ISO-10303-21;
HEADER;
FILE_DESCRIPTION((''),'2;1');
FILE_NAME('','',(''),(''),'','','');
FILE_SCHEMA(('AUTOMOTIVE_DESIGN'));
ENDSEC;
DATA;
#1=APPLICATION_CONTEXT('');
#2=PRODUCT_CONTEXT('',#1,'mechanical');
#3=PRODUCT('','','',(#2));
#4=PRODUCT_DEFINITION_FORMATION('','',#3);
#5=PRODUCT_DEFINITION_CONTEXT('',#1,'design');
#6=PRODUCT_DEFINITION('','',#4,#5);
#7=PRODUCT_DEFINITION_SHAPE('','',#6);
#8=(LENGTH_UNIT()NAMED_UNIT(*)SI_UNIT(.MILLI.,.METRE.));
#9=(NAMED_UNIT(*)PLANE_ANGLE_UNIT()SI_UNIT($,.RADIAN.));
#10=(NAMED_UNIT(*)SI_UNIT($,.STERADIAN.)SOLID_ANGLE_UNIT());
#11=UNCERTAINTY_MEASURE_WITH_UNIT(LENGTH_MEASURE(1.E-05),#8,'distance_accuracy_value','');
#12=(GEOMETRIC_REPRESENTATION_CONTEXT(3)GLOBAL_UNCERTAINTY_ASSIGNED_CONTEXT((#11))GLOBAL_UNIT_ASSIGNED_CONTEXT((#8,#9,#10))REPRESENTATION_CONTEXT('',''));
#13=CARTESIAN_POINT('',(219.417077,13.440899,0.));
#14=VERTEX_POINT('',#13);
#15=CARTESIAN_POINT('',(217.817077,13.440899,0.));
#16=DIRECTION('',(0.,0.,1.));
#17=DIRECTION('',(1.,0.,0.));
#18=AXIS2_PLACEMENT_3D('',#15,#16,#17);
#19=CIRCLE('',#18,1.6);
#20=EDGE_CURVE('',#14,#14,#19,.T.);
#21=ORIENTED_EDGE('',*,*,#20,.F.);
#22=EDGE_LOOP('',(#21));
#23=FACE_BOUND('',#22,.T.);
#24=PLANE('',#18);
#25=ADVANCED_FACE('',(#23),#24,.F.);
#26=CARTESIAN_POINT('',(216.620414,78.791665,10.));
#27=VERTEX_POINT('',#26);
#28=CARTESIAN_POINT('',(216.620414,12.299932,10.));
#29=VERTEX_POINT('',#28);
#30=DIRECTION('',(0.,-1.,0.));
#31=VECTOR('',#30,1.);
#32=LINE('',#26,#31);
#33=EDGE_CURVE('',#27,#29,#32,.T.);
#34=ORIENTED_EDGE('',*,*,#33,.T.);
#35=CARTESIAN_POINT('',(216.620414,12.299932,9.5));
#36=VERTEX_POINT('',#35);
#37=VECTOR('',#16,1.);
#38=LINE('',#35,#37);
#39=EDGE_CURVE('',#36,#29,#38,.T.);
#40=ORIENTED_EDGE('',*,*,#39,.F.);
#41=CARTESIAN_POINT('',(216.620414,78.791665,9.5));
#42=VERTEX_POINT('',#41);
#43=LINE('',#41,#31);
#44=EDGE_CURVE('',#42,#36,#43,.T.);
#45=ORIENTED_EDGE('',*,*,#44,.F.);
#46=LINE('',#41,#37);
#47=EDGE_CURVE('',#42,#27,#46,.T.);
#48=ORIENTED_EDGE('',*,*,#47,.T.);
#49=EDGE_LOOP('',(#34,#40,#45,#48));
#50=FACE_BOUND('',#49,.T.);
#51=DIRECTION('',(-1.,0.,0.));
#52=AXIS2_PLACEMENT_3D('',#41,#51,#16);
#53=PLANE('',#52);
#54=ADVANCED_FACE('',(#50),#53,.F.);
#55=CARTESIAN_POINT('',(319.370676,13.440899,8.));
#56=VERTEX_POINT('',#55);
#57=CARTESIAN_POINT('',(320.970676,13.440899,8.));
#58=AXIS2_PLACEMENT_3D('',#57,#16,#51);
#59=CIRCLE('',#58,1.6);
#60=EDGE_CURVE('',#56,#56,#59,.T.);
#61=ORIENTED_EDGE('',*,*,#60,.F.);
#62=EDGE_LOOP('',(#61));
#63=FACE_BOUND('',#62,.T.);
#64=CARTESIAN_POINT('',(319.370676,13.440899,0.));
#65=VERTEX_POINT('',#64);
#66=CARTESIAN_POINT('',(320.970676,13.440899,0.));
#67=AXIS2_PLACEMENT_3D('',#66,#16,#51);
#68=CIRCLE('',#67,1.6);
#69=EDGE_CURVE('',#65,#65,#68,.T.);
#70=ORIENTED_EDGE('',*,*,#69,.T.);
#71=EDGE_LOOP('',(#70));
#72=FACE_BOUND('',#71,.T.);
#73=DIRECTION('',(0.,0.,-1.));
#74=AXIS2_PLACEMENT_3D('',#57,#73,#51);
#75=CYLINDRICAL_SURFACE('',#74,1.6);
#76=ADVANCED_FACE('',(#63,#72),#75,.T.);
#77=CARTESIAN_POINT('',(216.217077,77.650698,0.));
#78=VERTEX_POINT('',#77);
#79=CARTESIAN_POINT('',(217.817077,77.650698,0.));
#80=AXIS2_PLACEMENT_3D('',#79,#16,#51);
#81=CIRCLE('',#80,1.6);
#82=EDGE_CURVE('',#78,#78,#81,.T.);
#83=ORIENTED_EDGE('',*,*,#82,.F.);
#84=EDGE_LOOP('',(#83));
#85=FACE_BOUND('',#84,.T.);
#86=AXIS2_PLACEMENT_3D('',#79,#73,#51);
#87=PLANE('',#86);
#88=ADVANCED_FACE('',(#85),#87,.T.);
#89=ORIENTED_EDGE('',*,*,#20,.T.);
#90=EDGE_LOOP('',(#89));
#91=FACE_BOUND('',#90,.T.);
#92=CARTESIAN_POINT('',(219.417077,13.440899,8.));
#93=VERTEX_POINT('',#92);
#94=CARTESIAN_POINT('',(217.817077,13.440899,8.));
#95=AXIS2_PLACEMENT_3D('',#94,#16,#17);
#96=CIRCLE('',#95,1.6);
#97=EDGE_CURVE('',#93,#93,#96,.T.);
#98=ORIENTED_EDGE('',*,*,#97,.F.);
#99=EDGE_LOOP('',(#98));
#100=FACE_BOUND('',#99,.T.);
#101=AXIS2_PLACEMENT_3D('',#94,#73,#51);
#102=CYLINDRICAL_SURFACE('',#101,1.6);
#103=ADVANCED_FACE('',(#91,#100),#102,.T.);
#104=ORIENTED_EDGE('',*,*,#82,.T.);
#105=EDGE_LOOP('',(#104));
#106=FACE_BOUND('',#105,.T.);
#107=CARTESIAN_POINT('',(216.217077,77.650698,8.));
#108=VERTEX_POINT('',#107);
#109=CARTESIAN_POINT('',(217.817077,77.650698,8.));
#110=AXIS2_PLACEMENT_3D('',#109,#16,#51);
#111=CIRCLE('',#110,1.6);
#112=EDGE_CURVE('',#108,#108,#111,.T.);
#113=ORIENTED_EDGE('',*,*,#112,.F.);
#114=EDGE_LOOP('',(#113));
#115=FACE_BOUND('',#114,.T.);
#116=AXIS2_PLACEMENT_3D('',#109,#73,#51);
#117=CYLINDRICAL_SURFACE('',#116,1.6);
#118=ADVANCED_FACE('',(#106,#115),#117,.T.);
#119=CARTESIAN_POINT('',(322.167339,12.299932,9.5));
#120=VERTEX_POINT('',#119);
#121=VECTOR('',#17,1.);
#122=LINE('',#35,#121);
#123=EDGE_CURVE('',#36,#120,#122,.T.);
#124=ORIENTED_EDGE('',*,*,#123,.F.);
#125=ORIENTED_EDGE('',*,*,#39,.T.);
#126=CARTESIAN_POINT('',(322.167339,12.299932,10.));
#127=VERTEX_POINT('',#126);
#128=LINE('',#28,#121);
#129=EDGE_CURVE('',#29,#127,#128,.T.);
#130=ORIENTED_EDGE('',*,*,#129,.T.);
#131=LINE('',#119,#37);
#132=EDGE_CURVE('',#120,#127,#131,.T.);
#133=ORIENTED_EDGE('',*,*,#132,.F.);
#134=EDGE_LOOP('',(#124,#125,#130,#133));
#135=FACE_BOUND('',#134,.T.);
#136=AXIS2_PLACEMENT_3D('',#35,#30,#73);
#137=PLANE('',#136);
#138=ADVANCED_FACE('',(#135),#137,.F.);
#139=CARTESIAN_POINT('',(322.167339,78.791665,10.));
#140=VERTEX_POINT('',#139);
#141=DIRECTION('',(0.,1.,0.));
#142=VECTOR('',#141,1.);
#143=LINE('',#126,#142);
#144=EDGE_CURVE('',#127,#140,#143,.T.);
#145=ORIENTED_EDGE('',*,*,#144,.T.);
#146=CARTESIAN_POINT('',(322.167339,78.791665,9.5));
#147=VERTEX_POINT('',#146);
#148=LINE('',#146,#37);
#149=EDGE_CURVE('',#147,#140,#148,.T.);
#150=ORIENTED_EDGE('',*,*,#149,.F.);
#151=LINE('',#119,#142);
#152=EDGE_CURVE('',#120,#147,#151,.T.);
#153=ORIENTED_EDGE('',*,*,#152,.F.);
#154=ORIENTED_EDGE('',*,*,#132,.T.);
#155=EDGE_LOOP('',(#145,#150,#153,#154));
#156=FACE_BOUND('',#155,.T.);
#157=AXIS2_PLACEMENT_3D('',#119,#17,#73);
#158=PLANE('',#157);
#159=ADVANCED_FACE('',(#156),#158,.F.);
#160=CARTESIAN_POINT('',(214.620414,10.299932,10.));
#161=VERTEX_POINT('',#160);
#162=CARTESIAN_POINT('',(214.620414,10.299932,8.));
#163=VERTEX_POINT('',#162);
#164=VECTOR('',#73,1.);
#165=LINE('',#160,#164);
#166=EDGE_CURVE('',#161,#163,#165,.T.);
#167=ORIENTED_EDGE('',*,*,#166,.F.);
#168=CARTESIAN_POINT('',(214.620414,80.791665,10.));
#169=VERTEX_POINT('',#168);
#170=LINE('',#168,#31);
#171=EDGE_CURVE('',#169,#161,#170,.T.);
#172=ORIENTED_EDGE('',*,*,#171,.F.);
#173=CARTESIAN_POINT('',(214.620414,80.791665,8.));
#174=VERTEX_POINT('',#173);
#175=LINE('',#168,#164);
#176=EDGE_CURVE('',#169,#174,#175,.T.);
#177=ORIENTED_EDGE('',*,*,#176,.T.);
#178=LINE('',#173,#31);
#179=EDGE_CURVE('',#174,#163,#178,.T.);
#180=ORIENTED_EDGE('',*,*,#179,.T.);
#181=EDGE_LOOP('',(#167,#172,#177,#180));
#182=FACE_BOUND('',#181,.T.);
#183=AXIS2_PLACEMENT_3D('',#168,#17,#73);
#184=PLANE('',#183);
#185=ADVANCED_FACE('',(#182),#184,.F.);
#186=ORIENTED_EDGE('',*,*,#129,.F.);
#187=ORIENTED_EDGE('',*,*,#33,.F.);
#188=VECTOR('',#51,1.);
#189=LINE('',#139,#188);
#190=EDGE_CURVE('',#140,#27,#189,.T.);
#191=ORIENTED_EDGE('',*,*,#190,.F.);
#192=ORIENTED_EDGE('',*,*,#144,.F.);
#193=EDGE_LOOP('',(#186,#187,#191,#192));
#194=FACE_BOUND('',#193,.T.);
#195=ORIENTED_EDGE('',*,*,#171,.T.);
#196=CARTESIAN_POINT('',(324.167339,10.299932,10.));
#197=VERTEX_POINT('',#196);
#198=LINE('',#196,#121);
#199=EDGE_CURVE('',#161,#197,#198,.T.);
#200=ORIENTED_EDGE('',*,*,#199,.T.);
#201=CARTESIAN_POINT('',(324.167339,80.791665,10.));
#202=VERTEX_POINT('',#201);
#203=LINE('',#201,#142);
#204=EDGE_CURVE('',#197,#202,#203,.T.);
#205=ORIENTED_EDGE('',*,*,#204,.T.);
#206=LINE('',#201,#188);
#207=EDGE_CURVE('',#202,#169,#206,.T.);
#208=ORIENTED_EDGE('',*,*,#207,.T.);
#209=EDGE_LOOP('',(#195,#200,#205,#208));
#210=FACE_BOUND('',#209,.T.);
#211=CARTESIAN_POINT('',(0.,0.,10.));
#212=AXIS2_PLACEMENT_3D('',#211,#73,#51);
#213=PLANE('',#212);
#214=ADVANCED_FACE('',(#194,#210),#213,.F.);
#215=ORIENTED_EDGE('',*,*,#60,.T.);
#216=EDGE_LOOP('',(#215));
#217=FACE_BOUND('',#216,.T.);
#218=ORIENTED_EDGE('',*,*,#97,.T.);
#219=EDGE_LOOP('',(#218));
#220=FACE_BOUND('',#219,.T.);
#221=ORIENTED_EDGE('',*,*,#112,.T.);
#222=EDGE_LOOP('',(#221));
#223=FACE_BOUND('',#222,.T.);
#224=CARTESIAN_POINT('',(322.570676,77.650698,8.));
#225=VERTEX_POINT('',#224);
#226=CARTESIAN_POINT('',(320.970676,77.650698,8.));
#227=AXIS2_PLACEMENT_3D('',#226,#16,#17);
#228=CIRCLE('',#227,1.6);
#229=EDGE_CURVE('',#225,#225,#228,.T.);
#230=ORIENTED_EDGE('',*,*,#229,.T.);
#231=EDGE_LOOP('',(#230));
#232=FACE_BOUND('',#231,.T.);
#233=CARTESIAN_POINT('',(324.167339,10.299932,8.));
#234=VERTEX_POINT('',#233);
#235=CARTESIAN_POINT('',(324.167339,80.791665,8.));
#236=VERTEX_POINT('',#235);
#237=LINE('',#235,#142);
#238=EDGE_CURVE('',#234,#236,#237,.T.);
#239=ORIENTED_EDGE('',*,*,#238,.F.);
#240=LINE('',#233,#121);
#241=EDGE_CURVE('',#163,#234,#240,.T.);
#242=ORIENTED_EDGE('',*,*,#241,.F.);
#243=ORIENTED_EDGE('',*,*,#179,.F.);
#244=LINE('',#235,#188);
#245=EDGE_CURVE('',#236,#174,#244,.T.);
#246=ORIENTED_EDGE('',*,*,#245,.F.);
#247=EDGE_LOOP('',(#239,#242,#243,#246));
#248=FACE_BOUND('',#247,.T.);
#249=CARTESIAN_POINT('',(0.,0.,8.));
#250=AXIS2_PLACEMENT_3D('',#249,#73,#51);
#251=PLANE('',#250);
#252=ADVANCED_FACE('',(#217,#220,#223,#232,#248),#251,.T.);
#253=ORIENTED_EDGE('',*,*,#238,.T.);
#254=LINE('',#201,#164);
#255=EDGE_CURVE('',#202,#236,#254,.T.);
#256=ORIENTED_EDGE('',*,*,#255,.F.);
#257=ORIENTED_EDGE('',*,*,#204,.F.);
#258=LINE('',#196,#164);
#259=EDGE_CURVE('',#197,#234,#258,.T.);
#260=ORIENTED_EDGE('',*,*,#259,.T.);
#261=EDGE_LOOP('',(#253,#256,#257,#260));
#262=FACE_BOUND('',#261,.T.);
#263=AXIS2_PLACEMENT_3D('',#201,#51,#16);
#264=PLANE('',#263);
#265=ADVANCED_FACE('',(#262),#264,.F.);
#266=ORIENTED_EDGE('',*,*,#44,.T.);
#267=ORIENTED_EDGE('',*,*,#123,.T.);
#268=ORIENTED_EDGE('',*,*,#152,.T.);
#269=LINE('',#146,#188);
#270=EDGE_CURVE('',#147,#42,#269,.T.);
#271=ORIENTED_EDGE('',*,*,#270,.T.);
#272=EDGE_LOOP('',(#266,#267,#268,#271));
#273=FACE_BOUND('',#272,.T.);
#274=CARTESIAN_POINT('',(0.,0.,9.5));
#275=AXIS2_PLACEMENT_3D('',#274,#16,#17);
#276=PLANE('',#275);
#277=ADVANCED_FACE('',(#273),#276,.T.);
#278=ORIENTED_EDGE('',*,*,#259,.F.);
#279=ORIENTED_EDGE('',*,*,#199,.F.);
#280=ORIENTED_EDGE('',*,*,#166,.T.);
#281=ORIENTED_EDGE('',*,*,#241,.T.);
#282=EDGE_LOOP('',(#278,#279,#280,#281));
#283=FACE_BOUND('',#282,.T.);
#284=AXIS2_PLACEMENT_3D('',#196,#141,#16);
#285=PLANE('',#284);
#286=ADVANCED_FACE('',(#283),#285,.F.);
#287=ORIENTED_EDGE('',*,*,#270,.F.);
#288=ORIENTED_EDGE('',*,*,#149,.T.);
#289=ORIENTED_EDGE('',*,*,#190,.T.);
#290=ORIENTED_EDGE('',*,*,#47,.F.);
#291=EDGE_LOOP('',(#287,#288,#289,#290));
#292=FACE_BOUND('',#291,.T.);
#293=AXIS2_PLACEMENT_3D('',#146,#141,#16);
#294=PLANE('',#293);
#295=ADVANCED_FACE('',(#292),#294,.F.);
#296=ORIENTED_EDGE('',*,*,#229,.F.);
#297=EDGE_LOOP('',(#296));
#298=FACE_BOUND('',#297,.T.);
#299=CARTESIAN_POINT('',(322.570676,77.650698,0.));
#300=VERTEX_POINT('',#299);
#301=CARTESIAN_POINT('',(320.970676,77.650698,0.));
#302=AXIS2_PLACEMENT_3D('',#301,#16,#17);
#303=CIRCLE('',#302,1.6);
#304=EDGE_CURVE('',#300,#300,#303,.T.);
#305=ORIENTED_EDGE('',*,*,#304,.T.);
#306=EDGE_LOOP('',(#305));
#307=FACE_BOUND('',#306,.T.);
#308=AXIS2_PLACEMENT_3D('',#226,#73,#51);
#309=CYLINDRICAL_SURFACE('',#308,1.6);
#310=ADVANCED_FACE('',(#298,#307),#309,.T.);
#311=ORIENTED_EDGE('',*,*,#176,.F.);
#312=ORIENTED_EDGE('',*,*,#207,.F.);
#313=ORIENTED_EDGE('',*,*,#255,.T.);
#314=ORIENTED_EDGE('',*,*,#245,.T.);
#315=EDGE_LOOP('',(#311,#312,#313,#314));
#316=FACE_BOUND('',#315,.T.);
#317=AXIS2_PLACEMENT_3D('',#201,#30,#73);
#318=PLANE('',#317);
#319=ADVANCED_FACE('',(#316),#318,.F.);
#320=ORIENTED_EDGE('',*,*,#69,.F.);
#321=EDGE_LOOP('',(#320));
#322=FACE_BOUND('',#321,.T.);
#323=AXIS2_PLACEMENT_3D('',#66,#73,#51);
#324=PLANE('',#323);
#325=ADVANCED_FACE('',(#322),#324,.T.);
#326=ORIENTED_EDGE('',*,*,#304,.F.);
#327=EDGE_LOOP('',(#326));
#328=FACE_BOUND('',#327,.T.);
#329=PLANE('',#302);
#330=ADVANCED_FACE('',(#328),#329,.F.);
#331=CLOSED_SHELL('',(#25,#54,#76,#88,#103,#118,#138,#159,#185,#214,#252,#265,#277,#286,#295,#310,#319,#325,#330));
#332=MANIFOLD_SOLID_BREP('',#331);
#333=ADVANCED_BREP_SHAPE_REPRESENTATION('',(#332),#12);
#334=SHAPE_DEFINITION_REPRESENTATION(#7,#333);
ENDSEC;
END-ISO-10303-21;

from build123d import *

# Parameters (mm, degrees)
SKETCH_1_R          = 1.6
EXTRUDE_1_DEPTH     = 8
EXTRUDE_1_2_DEPTH   = 8
EXTRUDE_1_3_DEPTH   = 8
EXTRUDE_1_4_DEPTH   = 8
SKETCH_2_W          = 109.546924753
SKETCH_2_H          = 70.491732923
EXTRUDE_2_DEPTH     = 2
SKETCH_3_W          = 105.546924753
SKETCH_3_H          = 66.491732923
CUT_EXTRUDE_1_DEPTH = 0.5


with BuildPart() as part:
    # 草图1 → 凸台-拉伸1 (new body)
    with BuildSketch(Plane.XY):
        with Locations((320.970675526, 77.650698191)):
            Circle(SKETCH_1_R)
    extrude(amount=EXTRUDE_1_DEPTH)



with BuildPart() as body_2:
    # 草图1 → Extrude 1 2 (new body)
    with BuildSketch(Plane.XY):
        with Locations(Location((320.970675526, 13.440898947, 0), (0, 0, 180))):
            Circle(SKETCH_1_R)
    extrude(amount=EXTRUDE_1_2_DEPTH)


with BuildPart() as body_3:
    # 草图1 → Extrude 1 3 (new body)
    with BuildSketch(Plane.XY):
        with Locations((217.817076829, 13.440898947)):
            Circle(SKETCH_1_R)
    extrude(amount=EXTRUDE_1_3_DEPTH)


with BuildPart() as body_4:
    # 草图1 → Extrude 1 4 (new body)
    with BuildSketch(Plane.XY):
        with Locations(Location((217.817076829, 77.650698191, 0), (0, 0, 180))):
            Circle(SKETCH_1_R)
    extrude(amount=EXTRUDE_1_4_DEPTH)


with BuildPart() as part_1:
    add(part.part)

    add(body_2.part)  # 凸台-拉伸2 merges body 2

    add(body_3.part)  # 凸台-拉伸2 merges body 3

    add(body_4.part)  # 凸台-拉伸2 merges body 4
    # 草图2 → 凸台-拉伸2 (add)
    with BuildSketch(Plane.XY.offset(8)):
        with Locations((269.393876178, 45.545798569)):
            Rectangle(SKETCH_2_W, SKETCH_2_H)
    extrude(amount=EXTRUDE_2_DEPTH)

    # 草图3 → 切除-拉伸1 (cut)
    with BuildSketch(Plane.XY.offset(10)):
        with Locations((269.393876178, 45.545798569)):
            Rectangle(SKETCH_3_W, SKETCH_3_H)
    extrude(amount=-CUT_EXTRUDE_1_DEPTH, mode=Mode.SUBTRACT)


solid = part_1.part
